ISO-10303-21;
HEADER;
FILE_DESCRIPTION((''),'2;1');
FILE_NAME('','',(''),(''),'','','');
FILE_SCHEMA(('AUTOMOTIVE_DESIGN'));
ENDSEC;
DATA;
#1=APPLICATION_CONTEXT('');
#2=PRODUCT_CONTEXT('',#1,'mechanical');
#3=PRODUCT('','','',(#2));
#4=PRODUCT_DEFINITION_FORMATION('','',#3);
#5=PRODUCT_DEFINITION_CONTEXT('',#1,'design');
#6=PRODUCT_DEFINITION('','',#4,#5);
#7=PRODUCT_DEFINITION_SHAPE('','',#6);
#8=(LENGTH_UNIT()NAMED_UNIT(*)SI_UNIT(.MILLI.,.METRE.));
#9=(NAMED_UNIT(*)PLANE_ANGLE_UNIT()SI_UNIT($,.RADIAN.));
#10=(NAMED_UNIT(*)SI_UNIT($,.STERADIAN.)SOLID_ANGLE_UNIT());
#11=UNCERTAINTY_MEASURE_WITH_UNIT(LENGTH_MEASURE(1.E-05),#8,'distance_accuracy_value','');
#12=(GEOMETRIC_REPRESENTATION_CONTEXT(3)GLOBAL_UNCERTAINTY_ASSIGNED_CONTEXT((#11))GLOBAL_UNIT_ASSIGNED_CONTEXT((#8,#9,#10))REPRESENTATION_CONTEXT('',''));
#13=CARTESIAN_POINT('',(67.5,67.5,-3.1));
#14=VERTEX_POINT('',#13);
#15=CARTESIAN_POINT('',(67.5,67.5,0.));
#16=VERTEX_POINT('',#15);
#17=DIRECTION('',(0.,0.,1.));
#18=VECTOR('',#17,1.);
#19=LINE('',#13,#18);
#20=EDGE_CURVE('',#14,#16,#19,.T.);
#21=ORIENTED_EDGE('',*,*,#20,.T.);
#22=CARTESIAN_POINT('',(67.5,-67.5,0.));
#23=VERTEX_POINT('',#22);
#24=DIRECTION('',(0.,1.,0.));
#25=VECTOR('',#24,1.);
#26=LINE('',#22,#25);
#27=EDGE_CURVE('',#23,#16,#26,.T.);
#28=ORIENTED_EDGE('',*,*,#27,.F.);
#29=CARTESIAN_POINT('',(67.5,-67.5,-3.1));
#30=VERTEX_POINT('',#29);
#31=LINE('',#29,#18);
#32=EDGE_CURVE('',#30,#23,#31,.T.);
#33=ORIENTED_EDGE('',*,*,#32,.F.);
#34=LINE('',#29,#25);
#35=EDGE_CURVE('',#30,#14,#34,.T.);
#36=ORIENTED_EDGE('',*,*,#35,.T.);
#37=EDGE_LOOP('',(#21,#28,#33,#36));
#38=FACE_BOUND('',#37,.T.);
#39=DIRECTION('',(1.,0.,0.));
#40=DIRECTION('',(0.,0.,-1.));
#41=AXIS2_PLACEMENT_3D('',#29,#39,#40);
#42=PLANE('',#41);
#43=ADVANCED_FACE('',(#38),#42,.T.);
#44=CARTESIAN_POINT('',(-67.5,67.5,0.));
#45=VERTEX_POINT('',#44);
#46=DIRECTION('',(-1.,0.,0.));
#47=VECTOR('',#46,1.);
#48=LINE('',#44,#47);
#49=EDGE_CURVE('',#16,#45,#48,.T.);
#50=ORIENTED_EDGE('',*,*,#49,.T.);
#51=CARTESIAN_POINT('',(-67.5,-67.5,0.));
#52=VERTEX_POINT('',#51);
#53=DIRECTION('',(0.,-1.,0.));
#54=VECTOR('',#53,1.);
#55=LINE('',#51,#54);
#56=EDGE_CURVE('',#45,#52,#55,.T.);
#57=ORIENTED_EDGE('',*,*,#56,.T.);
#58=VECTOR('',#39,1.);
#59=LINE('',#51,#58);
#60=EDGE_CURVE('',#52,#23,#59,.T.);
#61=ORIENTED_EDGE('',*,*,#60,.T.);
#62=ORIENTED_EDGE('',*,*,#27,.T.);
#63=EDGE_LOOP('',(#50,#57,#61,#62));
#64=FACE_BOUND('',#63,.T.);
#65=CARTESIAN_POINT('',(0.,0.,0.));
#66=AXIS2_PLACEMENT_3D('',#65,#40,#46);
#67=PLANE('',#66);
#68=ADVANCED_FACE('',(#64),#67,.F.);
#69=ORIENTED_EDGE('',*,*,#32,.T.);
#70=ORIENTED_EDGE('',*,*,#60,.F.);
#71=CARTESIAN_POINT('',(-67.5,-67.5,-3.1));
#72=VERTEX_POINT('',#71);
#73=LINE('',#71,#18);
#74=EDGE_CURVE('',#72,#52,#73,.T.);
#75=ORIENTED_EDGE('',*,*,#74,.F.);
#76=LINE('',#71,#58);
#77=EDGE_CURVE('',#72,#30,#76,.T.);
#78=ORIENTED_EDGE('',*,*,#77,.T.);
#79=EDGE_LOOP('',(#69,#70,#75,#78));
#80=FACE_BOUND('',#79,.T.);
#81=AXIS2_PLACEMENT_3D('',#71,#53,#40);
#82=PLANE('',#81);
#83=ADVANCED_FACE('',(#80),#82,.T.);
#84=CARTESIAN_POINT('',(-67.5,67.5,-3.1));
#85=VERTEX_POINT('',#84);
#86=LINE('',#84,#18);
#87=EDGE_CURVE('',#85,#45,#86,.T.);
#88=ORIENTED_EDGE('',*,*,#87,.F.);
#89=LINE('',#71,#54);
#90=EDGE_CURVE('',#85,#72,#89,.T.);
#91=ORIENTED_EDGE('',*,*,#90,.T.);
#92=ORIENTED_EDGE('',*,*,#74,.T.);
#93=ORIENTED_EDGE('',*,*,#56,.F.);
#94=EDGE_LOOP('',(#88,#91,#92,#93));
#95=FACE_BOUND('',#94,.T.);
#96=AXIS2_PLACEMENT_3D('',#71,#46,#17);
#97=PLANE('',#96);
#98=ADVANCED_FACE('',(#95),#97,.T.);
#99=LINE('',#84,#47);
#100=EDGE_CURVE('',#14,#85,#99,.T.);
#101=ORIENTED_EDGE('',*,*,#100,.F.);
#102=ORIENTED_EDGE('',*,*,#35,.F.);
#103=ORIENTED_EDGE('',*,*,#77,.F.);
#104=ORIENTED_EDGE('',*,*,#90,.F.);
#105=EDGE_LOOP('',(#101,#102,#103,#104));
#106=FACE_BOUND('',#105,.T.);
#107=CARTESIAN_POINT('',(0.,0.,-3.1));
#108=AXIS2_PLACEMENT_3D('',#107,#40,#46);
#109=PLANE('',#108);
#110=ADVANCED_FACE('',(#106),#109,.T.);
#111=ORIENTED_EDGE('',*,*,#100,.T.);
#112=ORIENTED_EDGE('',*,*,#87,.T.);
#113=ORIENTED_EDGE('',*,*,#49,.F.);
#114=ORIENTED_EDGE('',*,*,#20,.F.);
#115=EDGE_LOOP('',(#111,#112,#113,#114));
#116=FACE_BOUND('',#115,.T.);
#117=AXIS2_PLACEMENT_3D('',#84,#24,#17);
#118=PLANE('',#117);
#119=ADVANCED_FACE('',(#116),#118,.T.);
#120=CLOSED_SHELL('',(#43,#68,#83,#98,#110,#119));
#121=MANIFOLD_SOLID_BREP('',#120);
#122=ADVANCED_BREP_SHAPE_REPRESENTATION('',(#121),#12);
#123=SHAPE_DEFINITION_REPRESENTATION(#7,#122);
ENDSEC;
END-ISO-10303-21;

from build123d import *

# Parameters (mm, degrees)
SKIZZE1_W                       = 135
SKIZZE1_H                       = 135
AUFSATZ_LINEAR_AUSTRAGEN1_DEPTH = 3.1


with BuildPart() as part:
    # Skizze1 → Aufsatz-Linear austragen1 (new body)
    with BuildSketch(Plane.XY):
        Rectangle(SKIZZE1_W, SKIZZE1_H)
    extrude(amount=-AUFSATZ_LINEAR_AUSTRAGEN1_DEPTH)


solid = part.part
